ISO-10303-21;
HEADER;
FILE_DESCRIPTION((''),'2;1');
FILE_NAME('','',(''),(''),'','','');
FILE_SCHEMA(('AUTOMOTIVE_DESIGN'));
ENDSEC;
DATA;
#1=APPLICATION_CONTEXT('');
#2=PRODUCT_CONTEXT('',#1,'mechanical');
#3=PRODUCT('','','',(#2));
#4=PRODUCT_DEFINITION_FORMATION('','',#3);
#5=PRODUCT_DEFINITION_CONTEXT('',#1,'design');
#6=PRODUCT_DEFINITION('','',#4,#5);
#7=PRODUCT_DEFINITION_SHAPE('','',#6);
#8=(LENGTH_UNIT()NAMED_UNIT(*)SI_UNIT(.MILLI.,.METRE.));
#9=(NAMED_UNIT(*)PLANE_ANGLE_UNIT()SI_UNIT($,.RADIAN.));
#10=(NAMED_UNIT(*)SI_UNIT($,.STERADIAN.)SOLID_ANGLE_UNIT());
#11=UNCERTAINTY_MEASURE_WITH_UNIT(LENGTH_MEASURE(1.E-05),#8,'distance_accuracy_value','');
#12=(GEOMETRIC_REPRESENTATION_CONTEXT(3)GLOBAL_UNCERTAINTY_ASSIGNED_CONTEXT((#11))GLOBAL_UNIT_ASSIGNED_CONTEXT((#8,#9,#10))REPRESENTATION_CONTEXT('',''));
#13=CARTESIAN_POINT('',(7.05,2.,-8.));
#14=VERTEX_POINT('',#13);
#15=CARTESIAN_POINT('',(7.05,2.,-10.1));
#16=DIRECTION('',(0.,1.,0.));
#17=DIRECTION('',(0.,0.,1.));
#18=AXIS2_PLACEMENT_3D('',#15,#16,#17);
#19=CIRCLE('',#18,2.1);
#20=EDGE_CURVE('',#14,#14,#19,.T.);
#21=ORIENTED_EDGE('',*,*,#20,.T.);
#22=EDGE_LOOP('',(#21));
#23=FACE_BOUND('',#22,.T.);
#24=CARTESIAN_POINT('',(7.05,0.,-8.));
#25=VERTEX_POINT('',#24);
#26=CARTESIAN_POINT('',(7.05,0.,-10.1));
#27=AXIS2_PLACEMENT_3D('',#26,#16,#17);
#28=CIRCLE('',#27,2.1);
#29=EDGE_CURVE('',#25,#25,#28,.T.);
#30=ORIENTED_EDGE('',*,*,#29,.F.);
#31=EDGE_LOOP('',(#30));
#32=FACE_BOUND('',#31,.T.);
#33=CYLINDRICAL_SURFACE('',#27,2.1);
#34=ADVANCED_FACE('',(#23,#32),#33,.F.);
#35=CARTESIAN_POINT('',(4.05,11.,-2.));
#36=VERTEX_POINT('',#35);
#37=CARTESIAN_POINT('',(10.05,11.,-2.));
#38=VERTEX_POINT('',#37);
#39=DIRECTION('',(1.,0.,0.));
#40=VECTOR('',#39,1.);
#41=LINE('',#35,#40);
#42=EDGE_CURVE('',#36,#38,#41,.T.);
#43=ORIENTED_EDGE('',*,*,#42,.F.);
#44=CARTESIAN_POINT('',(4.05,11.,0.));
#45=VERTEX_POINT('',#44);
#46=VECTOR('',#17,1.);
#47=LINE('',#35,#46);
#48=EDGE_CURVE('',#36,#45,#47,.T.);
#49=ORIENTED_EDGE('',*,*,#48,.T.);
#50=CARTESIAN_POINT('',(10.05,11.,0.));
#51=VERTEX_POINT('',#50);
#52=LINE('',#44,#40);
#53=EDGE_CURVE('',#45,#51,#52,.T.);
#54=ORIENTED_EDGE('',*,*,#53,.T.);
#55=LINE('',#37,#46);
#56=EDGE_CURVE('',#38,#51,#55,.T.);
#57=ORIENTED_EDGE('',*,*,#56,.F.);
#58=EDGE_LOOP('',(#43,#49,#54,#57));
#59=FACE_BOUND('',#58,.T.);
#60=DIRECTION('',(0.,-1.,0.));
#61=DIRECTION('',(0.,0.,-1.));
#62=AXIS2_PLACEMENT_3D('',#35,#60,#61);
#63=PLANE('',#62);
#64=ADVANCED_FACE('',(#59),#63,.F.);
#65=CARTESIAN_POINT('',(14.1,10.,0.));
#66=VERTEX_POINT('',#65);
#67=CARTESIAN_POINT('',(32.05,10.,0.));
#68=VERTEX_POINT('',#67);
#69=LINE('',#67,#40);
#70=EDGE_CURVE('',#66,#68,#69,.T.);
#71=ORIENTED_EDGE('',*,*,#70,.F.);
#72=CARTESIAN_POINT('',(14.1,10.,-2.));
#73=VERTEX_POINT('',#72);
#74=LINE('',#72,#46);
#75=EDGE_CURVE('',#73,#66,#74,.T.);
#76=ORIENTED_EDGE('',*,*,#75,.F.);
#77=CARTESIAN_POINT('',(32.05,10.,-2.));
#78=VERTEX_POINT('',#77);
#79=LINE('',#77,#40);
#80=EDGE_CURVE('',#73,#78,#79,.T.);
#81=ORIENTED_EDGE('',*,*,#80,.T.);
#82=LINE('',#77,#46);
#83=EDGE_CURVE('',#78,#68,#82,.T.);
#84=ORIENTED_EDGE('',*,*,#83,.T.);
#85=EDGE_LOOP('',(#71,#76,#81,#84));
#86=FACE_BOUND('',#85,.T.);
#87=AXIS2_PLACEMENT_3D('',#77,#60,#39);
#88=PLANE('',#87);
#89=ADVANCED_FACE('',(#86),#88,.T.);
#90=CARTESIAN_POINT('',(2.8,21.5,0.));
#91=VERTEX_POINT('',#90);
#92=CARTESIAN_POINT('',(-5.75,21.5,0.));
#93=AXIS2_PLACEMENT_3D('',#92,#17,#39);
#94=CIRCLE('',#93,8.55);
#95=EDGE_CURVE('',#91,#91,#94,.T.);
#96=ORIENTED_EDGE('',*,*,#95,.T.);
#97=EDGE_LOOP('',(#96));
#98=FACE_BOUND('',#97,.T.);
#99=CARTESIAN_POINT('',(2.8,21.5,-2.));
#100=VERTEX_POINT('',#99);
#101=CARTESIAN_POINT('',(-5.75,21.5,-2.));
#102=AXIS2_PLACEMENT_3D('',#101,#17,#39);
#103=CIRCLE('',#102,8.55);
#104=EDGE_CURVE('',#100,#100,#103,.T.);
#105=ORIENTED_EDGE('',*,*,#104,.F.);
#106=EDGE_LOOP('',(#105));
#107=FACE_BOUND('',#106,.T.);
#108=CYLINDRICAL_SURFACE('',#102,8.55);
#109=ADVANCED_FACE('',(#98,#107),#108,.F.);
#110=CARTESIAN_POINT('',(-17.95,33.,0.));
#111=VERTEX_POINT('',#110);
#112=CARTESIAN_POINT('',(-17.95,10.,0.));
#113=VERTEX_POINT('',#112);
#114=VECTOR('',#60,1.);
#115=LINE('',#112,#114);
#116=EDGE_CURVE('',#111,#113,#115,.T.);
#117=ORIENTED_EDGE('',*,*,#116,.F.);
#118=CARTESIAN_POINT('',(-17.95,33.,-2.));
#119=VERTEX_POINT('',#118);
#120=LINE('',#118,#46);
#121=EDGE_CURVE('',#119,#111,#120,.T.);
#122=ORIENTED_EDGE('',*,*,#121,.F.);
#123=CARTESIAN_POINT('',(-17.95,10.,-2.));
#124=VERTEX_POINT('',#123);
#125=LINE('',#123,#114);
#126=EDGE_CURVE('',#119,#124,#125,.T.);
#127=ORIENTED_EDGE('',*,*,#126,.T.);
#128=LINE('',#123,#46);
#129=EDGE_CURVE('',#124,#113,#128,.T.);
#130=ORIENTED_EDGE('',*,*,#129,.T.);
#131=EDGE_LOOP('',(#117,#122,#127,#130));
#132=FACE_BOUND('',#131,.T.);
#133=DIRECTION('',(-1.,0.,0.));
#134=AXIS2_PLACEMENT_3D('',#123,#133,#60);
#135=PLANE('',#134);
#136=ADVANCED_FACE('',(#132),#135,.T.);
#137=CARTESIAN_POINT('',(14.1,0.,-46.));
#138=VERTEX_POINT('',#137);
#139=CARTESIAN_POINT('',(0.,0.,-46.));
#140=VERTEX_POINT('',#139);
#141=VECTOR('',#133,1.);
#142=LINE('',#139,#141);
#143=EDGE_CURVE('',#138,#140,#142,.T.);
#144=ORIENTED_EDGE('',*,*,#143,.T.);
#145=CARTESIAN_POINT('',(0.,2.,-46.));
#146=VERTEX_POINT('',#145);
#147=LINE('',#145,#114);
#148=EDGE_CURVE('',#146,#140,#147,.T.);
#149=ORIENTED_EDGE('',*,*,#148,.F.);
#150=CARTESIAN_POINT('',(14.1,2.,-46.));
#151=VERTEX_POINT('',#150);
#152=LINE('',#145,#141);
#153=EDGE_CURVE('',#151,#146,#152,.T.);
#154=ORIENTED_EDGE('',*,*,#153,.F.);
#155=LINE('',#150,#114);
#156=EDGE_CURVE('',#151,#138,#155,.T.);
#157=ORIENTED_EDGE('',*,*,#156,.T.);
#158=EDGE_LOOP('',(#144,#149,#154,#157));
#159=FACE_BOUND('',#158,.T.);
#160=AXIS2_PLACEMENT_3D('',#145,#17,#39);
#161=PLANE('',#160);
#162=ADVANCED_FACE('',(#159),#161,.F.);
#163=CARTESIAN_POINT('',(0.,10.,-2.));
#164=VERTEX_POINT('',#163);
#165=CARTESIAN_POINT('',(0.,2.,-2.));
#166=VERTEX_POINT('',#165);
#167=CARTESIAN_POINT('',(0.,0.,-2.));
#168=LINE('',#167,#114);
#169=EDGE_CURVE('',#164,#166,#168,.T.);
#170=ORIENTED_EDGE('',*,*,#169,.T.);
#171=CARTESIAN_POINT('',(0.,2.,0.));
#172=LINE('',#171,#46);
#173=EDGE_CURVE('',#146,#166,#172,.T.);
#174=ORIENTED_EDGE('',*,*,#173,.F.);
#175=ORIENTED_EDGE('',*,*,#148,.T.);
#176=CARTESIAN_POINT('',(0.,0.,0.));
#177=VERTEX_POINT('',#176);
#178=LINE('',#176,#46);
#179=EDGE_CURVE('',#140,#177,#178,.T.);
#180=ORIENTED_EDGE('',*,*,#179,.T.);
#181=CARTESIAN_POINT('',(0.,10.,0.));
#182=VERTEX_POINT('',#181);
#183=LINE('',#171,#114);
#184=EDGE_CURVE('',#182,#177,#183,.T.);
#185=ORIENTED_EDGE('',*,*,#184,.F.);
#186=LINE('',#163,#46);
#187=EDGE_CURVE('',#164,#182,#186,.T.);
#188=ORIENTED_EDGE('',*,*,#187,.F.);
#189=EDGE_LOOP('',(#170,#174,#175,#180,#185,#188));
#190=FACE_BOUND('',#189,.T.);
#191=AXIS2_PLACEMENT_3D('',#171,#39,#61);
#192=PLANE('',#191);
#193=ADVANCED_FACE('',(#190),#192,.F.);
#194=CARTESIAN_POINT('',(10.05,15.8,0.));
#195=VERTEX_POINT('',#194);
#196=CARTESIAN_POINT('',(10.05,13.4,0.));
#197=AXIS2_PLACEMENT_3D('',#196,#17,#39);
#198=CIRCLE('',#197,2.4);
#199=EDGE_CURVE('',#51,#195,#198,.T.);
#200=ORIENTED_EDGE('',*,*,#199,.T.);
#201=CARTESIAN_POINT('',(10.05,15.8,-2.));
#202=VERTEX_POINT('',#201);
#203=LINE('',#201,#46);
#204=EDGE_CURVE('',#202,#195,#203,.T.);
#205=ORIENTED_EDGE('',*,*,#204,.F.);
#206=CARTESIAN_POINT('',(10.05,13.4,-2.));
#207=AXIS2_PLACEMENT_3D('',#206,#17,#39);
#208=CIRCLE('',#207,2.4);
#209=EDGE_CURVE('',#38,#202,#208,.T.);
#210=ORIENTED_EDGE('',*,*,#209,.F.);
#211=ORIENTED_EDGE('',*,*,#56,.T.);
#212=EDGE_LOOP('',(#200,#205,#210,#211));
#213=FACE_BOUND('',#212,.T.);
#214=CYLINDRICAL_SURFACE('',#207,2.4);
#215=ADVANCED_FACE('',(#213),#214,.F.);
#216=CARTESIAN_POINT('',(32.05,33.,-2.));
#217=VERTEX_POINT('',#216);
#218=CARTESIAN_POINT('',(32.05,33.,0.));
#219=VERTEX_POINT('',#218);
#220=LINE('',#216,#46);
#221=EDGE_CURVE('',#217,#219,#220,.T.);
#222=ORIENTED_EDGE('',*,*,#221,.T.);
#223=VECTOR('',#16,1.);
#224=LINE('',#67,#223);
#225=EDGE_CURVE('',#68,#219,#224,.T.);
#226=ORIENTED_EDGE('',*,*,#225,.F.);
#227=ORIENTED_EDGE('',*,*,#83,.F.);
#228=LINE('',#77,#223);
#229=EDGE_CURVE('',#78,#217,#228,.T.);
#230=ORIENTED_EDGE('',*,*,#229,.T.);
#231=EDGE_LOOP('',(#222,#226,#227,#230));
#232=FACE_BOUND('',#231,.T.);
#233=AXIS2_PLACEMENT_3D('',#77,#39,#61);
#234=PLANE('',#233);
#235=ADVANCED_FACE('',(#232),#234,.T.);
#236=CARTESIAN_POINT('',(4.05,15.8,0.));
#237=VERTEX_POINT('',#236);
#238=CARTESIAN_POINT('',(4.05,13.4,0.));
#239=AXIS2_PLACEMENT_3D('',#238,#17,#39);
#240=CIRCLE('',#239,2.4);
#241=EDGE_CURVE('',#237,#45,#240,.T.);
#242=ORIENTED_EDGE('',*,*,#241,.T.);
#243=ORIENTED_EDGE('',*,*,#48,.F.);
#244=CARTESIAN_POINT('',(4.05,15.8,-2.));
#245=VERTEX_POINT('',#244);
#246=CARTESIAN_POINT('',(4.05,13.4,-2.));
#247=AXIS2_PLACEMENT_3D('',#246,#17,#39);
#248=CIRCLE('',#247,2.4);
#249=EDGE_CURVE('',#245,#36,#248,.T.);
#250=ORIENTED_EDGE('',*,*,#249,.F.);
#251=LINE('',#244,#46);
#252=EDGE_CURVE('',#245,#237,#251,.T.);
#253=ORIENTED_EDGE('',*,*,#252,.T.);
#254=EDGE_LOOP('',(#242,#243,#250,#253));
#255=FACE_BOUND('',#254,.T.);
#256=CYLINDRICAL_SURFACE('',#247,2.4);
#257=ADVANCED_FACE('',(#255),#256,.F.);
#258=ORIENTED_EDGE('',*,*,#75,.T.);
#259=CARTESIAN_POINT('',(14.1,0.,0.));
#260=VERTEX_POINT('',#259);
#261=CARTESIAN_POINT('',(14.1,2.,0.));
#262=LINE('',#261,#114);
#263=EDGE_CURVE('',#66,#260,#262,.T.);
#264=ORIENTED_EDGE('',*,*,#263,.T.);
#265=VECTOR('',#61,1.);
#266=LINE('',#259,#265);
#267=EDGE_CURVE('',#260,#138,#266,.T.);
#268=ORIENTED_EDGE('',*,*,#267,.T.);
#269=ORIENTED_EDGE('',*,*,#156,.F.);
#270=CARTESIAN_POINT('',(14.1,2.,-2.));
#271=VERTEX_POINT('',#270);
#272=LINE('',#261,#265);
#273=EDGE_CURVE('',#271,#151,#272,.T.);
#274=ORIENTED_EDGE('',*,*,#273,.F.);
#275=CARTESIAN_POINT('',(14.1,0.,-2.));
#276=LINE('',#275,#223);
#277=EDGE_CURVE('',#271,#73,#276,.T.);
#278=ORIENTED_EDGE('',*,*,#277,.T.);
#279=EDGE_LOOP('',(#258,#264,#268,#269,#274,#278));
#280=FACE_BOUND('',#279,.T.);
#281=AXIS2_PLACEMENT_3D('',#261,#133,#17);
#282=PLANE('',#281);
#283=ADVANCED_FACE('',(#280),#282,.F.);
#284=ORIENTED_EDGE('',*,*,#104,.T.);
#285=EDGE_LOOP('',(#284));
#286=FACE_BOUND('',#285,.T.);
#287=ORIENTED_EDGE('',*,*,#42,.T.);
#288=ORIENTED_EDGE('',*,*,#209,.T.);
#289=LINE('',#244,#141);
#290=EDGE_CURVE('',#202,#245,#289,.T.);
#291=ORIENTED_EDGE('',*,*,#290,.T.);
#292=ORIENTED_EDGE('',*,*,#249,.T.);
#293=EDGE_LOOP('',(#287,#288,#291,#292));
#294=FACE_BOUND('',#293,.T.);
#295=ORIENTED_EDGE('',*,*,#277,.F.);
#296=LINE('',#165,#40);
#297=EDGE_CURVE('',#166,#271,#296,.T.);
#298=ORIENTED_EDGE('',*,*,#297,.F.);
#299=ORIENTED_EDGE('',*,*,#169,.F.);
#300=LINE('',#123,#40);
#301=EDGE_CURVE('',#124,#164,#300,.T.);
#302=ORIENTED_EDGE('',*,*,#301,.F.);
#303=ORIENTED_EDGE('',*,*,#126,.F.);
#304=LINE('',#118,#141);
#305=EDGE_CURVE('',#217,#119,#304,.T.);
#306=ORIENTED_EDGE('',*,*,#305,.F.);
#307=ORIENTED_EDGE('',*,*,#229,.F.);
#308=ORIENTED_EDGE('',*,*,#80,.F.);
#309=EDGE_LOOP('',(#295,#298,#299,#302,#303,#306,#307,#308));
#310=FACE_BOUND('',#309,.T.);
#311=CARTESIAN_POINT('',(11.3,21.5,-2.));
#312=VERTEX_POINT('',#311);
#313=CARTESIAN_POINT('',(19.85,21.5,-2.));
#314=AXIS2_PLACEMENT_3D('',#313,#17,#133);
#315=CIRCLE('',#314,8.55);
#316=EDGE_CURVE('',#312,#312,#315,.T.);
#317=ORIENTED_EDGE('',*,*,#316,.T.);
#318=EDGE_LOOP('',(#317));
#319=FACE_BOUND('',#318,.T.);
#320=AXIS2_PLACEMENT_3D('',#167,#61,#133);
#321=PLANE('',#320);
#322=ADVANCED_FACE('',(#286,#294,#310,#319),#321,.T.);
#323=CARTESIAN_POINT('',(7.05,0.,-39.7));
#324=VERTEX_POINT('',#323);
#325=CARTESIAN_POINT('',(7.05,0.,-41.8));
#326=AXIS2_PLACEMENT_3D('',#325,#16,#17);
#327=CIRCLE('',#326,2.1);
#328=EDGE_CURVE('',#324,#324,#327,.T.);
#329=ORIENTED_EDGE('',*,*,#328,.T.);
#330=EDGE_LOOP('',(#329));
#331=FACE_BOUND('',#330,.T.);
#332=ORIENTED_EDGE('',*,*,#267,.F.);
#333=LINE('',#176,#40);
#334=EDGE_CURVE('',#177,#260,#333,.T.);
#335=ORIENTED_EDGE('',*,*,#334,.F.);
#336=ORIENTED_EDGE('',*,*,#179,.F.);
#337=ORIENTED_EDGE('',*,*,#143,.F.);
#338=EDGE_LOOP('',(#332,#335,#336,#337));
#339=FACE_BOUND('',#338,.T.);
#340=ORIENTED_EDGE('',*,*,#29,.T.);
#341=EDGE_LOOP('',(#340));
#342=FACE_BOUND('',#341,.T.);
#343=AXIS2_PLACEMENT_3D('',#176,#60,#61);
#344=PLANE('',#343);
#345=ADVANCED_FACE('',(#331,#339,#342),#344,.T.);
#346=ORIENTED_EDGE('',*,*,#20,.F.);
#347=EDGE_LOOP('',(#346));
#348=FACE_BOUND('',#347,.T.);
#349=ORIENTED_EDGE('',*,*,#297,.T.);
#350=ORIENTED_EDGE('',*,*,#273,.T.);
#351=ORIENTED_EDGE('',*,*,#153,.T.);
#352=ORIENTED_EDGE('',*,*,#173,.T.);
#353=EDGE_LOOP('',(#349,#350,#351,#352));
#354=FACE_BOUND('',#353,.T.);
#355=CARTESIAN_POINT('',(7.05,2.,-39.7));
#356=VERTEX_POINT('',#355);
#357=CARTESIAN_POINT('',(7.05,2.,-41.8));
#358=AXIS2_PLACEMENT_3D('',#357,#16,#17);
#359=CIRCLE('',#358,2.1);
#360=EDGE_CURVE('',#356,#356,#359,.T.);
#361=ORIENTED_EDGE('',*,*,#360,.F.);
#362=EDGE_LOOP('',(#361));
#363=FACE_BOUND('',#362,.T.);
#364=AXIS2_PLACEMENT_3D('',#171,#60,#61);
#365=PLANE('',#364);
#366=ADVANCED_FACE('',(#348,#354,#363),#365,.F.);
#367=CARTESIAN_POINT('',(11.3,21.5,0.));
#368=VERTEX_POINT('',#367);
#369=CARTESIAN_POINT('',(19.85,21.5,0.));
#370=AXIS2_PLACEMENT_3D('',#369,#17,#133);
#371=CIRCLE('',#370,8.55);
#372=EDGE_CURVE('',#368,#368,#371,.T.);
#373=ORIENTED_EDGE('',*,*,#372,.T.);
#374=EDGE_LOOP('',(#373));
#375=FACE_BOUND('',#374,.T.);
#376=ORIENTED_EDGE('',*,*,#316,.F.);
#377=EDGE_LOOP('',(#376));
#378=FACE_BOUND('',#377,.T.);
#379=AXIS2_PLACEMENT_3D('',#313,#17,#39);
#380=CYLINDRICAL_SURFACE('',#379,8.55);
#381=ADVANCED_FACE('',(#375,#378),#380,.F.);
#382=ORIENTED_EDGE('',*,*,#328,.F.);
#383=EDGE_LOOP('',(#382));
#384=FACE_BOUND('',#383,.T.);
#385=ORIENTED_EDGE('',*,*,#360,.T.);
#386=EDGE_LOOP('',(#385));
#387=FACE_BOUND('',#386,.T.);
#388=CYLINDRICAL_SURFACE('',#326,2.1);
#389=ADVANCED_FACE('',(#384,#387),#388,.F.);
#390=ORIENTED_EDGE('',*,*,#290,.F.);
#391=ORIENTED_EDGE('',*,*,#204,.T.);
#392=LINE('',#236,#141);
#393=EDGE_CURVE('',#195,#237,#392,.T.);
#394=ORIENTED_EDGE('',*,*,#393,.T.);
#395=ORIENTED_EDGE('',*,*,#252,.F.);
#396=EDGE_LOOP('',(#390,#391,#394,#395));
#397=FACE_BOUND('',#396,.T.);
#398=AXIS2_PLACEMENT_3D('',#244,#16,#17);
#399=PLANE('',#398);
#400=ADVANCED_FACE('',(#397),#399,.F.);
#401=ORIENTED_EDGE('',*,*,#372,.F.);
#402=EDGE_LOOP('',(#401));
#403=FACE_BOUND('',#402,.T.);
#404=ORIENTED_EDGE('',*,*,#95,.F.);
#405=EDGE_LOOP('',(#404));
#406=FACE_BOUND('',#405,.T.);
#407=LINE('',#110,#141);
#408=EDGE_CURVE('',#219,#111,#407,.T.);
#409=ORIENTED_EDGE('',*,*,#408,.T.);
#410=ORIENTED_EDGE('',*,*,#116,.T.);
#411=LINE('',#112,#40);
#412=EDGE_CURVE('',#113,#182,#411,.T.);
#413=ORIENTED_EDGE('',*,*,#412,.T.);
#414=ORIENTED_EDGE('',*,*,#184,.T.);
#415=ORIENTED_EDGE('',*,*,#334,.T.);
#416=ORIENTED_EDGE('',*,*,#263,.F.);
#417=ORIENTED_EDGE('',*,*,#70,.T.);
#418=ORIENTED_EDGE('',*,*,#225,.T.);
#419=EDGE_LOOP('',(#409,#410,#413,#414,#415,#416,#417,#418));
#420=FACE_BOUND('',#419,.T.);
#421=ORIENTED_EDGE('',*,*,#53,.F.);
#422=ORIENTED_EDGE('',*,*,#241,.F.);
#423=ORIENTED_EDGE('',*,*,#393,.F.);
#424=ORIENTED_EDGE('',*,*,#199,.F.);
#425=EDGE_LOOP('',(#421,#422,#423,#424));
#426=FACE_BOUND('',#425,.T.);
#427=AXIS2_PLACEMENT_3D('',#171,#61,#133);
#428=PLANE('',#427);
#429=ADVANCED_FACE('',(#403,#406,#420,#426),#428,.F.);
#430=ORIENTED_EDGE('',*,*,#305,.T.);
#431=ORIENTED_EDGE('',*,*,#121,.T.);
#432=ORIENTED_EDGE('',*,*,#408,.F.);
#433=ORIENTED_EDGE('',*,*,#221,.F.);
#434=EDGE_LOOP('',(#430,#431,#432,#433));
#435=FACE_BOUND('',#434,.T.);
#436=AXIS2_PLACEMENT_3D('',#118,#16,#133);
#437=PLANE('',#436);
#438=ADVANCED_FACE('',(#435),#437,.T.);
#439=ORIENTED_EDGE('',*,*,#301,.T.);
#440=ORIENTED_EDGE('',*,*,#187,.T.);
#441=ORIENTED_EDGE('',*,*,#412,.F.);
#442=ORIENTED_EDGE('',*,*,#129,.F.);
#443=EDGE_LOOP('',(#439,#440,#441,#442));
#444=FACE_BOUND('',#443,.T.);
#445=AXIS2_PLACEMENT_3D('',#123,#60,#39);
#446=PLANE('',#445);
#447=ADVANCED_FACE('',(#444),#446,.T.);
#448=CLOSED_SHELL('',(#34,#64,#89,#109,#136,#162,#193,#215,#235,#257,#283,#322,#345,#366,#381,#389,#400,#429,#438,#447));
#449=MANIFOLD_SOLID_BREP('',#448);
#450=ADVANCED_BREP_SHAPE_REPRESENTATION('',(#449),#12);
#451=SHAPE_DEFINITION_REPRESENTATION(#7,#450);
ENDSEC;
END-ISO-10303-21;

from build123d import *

# Parameters (mm, degrees)
BASEESB_W      = 14.1
BASEESB_H      = 46
BASE_DEPTH     = 2
FUROSFIXESB_R  = 2.1
FUROSFIX_DEPTH = 2
HOLDER_DEPTH   = 2
FUROSUSESB_R   = 8.55
FUROSUS_DEPTH  = 2


with BuildPart() as part:
    # baseEsb → base (new body)
    with BuildSketch(Plane(origin=(0, 0, 0), x_dir=(1, 0, 0), z_dir=(0, 1, 0))):
        with Locations((7.05, 23)):
            Rectangle(BASEESB_W, BASEESB_H)
    extrude(amount=BASE_DEPTH)

    # furosFixEsb → furosFix (cut)
    with BuildSketch(Plane(origin=(0, 2, 0), x_dir=(1, 0, 0), z_dir=(0, 1, 0))):
        with Locations(Location((7.05, 10.1, 0), (0, 0, 270))):
            Circle(FUROSFIXESB_R)
        with Locations(Location((7.05, 41.8, 0), (0, 0, 270))):
            Circle(FUROSFIXESB_R)
    extrude(amount=-FUROSFIX_DEPTH, mode=Mode.SUBTRACT)

    # holderEsb → holder (add)
    with BuildSketch(Plane.XY):
        Polygon((0, 0), (14.1, 0), (14.1, 10), (32.05, 10), (32.05, 33), (-17.95, 33), (-17.95, 10), (0, 10), align=None)
    extrude(amount=-HOLDER_DEPTH)

    # furosUSesb → furosUS (cut)
    with BuildSketch(Plane.XY):
        with Locations((-5.75, 21.5)):
            Circle(FUROSUSESB_R)
        with Locations(Location((19.85, 21.5, 0), (0, 0, 180))):
            Circle(FUROSUSESB_R)
        with BuildLine():
            Line((4.05, 15.8), (10.05, 15.8))
            ThreePointArc((10.05, 15.8), (12.45, 13.4), (10.05, 11))
            Line((10.05, 11), (4.05, 11))
            ThreePointArc((4.05, 11), (1.65, 13.4), (4.05, 15.8))
        make_face()
    extrude(amount=-FUROSUS_DEPTH, mode=Mode.SUBTRACT)


solid = part.part
